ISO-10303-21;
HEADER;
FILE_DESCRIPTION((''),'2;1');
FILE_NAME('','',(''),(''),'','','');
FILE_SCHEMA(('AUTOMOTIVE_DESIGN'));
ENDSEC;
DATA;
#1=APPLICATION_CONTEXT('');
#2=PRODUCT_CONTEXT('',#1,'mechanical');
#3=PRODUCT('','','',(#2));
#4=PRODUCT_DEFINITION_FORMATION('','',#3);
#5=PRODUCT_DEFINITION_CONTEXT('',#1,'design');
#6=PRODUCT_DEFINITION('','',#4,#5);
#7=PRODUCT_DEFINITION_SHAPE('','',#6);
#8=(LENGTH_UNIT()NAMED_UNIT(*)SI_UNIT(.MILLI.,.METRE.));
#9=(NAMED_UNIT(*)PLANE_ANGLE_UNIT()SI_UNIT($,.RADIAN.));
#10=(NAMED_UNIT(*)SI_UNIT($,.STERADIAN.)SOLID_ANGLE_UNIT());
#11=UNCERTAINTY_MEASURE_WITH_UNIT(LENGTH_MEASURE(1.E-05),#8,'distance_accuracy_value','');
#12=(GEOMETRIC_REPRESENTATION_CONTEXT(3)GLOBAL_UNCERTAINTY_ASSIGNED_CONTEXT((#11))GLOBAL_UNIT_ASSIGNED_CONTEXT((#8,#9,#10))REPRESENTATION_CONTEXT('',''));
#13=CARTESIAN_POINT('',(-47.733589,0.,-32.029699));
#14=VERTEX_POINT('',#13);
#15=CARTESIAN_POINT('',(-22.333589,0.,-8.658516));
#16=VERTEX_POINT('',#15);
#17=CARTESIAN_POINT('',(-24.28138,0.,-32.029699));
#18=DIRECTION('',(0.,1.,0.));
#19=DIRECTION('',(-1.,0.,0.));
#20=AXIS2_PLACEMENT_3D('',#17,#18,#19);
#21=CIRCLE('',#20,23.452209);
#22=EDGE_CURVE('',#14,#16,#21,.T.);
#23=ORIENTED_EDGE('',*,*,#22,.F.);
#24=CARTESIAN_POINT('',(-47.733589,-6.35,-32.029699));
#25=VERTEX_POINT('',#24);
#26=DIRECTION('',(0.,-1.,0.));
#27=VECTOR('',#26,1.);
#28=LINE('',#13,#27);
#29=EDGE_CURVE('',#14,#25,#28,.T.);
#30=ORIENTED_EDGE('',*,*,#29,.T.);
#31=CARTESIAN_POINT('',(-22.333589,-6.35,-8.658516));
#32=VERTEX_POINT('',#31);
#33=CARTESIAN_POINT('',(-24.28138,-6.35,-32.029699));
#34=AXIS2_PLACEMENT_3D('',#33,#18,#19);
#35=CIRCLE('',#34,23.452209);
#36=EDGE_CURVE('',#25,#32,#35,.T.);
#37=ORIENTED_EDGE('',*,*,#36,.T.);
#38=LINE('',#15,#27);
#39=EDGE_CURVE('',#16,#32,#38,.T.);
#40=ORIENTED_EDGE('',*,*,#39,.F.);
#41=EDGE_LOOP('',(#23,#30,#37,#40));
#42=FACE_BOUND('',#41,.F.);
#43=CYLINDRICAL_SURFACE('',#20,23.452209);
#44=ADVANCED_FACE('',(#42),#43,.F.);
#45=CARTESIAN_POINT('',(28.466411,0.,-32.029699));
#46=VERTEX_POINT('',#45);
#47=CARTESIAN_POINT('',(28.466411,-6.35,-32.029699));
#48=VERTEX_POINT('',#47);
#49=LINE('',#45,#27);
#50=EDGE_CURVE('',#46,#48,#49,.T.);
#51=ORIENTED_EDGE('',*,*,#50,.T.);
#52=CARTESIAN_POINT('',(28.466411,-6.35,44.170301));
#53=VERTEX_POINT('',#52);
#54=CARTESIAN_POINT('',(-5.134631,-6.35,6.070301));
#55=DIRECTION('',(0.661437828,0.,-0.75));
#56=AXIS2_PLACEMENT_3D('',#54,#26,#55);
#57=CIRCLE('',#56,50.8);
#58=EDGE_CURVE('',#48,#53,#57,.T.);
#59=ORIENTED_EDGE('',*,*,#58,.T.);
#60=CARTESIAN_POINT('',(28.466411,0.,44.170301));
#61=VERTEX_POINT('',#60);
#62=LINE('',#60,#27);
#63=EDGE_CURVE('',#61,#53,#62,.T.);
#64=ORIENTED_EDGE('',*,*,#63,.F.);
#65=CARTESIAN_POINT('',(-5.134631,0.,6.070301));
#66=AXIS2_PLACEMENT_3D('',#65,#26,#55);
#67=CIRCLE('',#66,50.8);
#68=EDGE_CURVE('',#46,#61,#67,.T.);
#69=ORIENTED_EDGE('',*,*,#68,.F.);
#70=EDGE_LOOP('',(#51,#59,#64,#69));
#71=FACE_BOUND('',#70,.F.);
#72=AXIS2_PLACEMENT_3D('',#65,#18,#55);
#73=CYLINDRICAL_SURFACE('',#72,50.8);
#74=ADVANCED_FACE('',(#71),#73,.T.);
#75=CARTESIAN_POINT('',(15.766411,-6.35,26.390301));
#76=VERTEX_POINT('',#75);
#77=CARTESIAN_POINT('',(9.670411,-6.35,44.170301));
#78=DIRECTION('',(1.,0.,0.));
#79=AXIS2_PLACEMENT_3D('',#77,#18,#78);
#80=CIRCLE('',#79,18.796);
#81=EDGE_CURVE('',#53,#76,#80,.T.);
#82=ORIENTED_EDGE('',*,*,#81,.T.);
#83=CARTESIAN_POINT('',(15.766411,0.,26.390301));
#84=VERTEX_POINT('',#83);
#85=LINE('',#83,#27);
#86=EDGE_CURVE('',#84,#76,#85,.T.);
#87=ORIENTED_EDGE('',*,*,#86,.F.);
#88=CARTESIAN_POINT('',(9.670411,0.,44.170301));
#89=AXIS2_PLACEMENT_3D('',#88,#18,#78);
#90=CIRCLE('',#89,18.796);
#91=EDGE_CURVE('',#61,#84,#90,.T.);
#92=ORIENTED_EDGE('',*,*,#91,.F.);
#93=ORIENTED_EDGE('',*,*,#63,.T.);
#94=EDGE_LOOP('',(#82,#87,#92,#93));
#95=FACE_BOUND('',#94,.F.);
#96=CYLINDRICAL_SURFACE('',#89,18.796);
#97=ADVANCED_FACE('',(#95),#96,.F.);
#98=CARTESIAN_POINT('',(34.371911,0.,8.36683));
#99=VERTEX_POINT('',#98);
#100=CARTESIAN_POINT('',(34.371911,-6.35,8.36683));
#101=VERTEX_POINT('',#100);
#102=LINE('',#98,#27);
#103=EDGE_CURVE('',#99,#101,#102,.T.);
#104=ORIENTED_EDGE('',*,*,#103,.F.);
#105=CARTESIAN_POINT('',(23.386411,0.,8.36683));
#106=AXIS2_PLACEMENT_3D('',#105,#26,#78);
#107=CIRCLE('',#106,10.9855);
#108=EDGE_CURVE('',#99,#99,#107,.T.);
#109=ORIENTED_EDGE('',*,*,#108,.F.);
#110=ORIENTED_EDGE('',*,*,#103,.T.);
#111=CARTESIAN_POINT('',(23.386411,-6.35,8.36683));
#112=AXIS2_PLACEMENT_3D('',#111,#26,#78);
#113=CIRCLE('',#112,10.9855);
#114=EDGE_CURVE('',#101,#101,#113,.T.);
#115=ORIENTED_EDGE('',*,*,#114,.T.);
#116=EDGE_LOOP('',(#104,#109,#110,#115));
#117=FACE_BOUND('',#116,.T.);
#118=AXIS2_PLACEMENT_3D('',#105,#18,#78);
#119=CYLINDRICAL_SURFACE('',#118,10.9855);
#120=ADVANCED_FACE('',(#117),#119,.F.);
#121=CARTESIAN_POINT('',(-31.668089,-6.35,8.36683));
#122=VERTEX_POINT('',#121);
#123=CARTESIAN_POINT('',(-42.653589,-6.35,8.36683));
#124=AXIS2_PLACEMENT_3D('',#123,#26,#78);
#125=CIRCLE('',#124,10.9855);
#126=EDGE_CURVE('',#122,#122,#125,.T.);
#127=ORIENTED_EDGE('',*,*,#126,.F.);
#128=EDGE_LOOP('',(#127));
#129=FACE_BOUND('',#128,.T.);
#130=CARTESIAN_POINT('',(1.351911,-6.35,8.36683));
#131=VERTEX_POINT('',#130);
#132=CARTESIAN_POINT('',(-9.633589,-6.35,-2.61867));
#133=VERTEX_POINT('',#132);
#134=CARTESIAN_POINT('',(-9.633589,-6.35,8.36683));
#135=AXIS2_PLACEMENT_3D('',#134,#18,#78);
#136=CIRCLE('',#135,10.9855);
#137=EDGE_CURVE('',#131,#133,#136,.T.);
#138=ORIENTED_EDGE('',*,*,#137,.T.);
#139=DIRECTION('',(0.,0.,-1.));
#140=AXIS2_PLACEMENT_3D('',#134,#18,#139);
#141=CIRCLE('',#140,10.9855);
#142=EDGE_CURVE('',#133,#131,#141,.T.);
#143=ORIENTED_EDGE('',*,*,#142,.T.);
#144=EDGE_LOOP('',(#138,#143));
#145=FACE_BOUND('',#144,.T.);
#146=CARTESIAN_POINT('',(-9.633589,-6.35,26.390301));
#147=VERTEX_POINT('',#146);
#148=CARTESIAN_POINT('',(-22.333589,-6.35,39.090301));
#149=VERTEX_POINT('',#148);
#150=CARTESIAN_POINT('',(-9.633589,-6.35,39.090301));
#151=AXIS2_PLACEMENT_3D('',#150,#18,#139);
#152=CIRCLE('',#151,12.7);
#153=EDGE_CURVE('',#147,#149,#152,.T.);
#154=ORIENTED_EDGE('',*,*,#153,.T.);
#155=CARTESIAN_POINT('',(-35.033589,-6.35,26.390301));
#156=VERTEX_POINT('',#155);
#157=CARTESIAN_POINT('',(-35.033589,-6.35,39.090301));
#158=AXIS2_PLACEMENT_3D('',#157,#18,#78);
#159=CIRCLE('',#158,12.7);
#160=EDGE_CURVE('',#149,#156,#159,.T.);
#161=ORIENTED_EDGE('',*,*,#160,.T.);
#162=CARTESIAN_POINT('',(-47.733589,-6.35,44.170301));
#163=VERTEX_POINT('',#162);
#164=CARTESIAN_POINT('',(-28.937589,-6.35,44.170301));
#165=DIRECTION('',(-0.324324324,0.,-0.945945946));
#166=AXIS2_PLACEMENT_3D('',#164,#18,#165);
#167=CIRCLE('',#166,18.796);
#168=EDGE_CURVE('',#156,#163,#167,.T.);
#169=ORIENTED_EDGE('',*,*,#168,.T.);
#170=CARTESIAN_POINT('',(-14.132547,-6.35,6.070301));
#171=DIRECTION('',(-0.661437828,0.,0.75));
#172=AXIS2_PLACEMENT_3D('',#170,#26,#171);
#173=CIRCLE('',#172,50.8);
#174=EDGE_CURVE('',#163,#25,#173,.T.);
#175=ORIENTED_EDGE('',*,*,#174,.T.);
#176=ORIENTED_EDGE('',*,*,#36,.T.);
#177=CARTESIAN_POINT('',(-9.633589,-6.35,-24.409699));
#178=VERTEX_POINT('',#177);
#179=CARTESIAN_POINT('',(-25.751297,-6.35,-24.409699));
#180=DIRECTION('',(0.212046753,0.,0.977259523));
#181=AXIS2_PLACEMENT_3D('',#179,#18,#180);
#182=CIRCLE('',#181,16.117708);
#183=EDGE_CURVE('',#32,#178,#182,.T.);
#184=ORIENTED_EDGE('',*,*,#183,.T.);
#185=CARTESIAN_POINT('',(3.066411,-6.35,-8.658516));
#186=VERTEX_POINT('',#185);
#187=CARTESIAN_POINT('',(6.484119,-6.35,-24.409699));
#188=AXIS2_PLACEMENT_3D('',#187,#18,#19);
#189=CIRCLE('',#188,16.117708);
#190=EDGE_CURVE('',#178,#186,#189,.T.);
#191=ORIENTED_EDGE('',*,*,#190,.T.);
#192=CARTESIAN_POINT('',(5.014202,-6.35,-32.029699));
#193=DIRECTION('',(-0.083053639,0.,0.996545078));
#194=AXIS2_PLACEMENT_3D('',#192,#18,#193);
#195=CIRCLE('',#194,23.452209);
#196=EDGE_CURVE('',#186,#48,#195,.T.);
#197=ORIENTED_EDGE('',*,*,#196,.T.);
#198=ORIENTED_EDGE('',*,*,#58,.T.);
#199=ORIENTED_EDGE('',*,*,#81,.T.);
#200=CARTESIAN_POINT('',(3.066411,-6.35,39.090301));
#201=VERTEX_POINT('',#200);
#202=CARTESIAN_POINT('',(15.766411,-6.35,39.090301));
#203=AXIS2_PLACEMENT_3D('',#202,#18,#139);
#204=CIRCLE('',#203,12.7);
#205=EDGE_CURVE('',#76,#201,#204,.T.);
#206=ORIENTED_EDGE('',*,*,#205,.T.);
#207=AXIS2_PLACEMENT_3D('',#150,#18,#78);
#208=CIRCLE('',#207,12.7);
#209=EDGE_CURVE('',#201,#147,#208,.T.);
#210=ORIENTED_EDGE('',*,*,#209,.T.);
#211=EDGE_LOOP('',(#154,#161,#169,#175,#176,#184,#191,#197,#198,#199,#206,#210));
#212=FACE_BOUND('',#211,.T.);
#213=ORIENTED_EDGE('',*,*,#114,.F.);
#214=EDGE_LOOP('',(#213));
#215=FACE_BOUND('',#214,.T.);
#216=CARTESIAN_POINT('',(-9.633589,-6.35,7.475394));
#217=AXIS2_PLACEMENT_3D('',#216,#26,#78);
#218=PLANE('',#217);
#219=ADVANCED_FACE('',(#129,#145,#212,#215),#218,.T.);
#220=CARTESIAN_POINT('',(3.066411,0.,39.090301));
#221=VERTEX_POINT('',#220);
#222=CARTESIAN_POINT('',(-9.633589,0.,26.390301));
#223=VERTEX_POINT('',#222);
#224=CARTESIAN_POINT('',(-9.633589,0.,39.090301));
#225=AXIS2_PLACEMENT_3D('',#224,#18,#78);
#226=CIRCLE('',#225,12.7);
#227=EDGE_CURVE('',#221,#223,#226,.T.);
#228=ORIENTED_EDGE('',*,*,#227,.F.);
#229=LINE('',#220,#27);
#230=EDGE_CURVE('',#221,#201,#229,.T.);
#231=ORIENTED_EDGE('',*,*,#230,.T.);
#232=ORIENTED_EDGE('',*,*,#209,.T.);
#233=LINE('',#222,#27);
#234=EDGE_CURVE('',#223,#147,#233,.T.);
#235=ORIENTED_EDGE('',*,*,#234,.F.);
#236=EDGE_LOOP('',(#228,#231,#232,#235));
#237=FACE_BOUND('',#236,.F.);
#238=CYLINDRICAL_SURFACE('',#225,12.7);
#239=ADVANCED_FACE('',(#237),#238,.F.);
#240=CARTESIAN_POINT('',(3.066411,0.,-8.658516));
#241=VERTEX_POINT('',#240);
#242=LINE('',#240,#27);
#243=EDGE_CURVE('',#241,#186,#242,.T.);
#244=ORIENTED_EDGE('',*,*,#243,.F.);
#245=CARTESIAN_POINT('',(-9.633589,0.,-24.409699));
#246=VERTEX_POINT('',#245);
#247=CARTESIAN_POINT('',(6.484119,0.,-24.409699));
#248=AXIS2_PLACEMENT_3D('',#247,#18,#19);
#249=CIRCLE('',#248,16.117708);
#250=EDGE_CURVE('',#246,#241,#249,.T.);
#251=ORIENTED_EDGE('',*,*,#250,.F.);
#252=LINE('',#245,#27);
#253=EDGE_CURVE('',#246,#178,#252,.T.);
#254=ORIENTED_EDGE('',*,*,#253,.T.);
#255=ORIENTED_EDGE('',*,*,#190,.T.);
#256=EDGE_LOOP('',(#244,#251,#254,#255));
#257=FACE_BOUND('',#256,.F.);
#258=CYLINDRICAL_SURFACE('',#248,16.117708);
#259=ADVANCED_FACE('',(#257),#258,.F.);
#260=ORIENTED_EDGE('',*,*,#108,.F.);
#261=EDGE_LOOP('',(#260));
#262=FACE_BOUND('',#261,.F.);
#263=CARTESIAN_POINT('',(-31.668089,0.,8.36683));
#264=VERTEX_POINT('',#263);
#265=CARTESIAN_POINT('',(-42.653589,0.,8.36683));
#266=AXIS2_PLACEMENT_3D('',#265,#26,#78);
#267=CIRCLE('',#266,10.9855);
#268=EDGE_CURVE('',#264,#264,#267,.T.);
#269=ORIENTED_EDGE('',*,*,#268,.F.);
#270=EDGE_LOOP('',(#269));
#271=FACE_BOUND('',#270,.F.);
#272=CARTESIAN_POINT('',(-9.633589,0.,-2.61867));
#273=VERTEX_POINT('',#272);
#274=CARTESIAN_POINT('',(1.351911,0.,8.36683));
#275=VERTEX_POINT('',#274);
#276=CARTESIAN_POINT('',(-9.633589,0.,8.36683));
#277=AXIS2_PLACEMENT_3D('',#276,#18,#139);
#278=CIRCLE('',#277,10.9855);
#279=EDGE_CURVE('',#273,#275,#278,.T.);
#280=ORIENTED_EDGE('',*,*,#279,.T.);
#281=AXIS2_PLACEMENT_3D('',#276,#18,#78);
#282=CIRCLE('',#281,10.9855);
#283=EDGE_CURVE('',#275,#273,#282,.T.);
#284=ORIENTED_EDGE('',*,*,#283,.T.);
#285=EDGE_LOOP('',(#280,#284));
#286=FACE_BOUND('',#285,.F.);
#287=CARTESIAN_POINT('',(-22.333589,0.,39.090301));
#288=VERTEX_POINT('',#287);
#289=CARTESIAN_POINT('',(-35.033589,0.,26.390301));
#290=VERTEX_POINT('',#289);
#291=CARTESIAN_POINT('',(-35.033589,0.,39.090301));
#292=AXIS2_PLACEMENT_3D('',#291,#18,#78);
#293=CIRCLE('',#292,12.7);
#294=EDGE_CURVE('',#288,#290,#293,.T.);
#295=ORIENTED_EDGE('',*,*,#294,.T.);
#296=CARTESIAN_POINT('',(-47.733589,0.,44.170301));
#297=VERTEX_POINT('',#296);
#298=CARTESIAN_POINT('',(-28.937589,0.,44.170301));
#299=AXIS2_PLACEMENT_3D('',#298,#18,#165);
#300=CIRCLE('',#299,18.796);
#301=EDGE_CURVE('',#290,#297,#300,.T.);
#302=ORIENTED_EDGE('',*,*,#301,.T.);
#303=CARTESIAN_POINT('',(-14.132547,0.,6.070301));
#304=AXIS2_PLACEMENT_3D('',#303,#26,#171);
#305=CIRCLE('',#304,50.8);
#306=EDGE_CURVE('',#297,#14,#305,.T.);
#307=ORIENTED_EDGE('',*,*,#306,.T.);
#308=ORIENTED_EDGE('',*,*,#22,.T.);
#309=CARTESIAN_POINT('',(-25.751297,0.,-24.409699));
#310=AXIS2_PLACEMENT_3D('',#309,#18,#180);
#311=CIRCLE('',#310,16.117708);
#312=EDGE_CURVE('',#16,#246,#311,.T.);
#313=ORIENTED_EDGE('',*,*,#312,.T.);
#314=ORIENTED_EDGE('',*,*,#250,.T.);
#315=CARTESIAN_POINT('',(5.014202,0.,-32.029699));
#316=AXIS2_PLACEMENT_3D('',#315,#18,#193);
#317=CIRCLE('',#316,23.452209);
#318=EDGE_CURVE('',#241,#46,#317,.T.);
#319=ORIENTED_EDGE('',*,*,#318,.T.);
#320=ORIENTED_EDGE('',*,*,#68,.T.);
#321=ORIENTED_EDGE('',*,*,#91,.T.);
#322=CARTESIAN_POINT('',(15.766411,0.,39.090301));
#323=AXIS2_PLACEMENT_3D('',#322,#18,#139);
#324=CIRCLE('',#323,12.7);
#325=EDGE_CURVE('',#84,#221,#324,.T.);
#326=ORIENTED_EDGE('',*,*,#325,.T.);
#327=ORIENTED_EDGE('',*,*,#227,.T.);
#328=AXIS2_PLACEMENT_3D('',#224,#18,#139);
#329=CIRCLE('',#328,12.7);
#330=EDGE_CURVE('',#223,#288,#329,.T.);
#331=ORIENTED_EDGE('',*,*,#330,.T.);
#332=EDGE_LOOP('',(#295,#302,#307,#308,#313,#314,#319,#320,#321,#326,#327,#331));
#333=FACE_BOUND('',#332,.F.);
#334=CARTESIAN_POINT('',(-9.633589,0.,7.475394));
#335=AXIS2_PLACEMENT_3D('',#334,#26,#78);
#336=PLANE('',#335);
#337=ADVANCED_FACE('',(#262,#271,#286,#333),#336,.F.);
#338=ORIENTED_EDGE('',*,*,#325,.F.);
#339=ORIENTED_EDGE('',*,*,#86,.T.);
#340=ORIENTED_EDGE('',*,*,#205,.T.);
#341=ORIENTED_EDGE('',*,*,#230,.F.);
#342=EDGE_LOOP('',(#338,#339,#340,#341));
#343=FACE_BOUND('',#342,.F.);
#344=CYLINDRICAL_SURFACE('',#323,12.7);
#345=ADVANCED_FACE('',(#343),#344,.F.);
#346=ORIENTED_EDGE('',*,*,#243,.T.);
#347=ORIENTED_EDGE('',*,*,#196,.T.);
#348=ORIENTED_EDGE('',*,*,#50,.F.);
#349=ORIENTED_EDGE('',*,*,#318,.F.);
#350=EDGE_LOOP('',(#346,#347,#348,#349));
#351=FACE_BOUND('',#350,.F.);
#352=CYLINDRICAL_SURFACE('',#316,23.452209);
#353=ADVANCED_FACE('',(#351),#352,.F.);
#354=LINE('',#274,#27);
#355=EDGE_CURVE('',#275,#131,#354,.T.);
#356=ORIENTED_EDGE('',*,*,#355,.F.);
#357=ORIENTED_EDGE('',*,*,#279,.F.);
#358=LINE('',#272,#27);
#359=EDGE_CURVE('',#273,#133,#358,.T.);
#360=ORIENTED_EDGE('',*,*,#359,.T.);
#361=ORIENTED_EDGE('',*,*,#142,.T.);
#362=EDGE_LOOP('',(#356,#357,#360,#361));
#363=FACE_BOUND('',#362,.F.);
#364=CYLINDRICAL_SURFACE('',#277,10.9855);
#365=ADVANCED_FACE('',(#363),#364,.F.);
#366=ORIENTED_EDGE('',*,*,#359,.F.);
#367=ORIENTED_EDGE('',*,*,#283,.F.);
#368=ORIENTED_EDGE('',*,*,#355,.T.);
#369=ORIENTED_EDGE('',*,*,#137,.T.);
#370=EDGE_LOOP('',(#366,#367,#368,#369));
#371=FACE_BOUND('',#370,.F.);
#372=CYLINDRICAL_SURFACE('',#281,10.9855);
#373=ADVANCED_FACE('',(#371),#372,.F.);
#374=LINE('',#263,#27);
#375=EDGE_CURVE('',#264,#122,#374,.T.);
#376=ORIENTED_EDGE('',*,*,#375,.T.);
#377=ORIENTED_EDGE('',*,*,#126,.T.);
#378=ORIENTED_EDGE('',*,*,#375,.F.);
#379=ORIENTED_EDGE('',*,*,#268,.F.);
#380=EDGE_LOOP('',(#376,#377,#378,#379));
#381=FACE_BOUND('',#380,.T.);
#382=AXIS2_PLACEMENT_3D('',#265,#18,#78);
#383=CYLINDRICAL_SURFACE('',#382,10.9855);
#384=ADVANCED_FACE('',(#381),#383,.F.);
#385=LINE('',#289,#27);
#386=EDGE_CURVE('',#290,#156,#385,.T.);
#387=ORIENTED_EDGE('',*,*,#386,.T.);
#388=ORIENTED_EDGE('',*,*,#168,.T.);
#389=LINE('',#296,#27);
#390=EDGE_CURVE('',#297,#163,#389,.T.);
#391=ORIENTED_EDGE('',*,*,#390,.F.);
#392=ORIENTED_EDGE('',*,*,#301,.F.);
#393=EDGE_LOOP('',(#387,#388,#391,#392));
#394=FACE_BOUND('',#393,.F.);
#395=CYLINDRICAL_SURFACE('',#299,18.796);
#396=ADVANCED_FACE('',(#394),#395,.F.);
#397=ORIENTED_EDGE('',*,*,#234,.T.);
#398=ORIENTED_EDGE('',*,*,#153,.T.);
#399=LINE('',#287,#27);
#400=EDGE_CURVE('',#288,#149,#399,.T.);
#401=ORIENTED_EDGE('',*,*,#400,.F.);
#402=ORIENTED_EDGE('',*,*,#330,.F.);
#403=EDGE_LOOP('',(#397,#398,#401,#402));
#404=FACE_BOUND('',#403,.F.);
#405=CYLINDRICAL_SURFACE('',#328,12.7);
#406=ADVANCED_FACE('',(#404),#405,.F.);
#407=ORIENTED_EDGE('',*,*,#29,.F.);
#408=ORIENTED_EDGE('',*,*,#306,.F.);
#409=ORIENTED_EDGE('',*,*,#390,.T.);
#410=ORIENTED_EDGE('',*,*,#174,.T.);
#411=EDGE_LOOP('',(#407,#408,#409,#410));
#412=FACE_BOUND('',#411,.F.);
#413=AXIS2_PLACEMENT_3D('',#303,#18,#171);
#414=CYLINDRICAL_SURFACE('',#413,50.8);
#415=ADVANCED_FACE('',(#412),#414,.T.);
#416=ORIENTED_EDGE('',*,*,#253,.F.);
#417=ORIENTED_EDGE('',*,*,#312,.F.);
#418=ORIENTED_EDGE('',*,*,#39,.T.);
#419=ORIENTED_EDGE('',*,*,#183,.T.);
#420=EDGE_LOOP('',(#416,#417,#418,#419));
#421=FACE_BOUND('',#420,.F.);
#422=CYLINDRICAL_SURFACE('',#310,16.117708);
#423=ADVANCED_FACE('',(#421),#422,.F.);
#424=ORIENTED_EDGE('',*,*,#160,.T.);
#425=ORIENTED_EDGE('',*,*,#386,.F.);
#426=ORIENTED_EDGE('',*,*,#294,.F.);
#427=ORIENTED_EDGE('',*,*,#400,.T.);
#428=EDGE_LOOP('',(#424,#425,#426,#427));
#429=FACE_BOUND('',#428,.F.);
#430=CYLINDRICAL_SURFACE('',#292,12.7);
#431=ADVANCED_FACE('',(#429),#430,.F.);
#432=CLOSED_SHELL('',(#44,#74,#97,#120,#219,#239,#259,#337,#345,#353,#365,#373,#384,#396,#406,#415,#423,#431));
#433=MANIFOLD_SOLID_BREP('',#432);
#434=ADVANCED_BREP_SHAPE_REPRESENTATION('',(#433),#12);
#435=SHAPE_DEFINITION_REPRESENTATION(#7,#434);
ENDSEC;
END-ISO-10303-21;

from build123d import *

# Parameters (mm, degrees)
F0_R     = 10.9855
F1_DEPTH = 6.35


with BuildPart() as f1:
    # F0 (on Front) → F1 (new body)
    with BuildSketch(Plane.XZ):
        with BuildLine():
            ThreePointArc((-22.3335889539, 39.0903010637), (-26.0533328328, 30.1100449426), (-35.0335889539, 26.3903010637))
            ThreePointArc((-35.0335889539, 26.3903010637), (-44.2325232787, 33.2453479745), (-47.7335889539, 44.1703010637))
            ThreePointArc((-47.7335889539, 44.1703010637), (-64.9325473034, 6.0703010637), (-47.7335889539, -32.0296989363))
            ThreePointArc((-47.7335889539, -32.0296989363), (-40.1610226456, -14.7715689431), (-22.3335889539, -8.6585157515))
            ThreePointArc((-22.3335889539, -8.6585157515), (-13.2040635929, -14.2930076328), (-9.6335889539, -24.4096989363))
            ThreePointArc((-9.6335889539, -24.4096989363), (-6.0631143149, -14.2930076328), (3.0664110461, -8.6585157515))
            ThreePointArc((3.0664110461, -8.6585157515), (20.8938447379, -14.7715689431), (28.4664110461, -32.0296989363))
            ThreePointArc((28.4664110461, -32.0296989363), (45.6653693956, 6.0703010637), (28.4664110461, 44.1703010637))
            ThreePointArc((28.4664110461, 44.1703010637), (24.9653453709, 33.2453479745), (15.7664110461, 26.3903010637))
            ThreePointArc((15.7664110461, 26.3903010637), (6.7861549251, 30.1100449426), (3.0664110461, 39.0903010637))
            ThreePointArc((3.0664110461, 39.0903010637), (-0.6533328328, 30.1100449426), (-9.6335889539, 26.3903010637))
            ThreePointArc((-9.6335889539, 26.3903010637), (-18.6138450749, 30.1100449426), (-22.3335889539, 39.0903010637))
        make_face()
        with Locations((-42.6535889539, 8.3668298817)):
            Circle(F0_R, mode=Mode.SUBTRACT)
        with BuildLine():
            ThreePointArc((-9.6335889539, -2.6186701183), (-17.4015104986, 16.1347514264), (1.3519110461, 8.3668298817))
            ThreePointArc((1.3519110461, 8.3668298817), (-1.8656674092, 0.598908337), (-9.6335889539, -2.6186701183))
        make_face(mode=Mode.SUBTRACT)
        with Locations((23.3864110461, 8.3668298817)):
            Circle(F0_R, mode=Mode.SUBTRACT)
    extrude(amount=F1_DEPTH)


solid = f1.part
